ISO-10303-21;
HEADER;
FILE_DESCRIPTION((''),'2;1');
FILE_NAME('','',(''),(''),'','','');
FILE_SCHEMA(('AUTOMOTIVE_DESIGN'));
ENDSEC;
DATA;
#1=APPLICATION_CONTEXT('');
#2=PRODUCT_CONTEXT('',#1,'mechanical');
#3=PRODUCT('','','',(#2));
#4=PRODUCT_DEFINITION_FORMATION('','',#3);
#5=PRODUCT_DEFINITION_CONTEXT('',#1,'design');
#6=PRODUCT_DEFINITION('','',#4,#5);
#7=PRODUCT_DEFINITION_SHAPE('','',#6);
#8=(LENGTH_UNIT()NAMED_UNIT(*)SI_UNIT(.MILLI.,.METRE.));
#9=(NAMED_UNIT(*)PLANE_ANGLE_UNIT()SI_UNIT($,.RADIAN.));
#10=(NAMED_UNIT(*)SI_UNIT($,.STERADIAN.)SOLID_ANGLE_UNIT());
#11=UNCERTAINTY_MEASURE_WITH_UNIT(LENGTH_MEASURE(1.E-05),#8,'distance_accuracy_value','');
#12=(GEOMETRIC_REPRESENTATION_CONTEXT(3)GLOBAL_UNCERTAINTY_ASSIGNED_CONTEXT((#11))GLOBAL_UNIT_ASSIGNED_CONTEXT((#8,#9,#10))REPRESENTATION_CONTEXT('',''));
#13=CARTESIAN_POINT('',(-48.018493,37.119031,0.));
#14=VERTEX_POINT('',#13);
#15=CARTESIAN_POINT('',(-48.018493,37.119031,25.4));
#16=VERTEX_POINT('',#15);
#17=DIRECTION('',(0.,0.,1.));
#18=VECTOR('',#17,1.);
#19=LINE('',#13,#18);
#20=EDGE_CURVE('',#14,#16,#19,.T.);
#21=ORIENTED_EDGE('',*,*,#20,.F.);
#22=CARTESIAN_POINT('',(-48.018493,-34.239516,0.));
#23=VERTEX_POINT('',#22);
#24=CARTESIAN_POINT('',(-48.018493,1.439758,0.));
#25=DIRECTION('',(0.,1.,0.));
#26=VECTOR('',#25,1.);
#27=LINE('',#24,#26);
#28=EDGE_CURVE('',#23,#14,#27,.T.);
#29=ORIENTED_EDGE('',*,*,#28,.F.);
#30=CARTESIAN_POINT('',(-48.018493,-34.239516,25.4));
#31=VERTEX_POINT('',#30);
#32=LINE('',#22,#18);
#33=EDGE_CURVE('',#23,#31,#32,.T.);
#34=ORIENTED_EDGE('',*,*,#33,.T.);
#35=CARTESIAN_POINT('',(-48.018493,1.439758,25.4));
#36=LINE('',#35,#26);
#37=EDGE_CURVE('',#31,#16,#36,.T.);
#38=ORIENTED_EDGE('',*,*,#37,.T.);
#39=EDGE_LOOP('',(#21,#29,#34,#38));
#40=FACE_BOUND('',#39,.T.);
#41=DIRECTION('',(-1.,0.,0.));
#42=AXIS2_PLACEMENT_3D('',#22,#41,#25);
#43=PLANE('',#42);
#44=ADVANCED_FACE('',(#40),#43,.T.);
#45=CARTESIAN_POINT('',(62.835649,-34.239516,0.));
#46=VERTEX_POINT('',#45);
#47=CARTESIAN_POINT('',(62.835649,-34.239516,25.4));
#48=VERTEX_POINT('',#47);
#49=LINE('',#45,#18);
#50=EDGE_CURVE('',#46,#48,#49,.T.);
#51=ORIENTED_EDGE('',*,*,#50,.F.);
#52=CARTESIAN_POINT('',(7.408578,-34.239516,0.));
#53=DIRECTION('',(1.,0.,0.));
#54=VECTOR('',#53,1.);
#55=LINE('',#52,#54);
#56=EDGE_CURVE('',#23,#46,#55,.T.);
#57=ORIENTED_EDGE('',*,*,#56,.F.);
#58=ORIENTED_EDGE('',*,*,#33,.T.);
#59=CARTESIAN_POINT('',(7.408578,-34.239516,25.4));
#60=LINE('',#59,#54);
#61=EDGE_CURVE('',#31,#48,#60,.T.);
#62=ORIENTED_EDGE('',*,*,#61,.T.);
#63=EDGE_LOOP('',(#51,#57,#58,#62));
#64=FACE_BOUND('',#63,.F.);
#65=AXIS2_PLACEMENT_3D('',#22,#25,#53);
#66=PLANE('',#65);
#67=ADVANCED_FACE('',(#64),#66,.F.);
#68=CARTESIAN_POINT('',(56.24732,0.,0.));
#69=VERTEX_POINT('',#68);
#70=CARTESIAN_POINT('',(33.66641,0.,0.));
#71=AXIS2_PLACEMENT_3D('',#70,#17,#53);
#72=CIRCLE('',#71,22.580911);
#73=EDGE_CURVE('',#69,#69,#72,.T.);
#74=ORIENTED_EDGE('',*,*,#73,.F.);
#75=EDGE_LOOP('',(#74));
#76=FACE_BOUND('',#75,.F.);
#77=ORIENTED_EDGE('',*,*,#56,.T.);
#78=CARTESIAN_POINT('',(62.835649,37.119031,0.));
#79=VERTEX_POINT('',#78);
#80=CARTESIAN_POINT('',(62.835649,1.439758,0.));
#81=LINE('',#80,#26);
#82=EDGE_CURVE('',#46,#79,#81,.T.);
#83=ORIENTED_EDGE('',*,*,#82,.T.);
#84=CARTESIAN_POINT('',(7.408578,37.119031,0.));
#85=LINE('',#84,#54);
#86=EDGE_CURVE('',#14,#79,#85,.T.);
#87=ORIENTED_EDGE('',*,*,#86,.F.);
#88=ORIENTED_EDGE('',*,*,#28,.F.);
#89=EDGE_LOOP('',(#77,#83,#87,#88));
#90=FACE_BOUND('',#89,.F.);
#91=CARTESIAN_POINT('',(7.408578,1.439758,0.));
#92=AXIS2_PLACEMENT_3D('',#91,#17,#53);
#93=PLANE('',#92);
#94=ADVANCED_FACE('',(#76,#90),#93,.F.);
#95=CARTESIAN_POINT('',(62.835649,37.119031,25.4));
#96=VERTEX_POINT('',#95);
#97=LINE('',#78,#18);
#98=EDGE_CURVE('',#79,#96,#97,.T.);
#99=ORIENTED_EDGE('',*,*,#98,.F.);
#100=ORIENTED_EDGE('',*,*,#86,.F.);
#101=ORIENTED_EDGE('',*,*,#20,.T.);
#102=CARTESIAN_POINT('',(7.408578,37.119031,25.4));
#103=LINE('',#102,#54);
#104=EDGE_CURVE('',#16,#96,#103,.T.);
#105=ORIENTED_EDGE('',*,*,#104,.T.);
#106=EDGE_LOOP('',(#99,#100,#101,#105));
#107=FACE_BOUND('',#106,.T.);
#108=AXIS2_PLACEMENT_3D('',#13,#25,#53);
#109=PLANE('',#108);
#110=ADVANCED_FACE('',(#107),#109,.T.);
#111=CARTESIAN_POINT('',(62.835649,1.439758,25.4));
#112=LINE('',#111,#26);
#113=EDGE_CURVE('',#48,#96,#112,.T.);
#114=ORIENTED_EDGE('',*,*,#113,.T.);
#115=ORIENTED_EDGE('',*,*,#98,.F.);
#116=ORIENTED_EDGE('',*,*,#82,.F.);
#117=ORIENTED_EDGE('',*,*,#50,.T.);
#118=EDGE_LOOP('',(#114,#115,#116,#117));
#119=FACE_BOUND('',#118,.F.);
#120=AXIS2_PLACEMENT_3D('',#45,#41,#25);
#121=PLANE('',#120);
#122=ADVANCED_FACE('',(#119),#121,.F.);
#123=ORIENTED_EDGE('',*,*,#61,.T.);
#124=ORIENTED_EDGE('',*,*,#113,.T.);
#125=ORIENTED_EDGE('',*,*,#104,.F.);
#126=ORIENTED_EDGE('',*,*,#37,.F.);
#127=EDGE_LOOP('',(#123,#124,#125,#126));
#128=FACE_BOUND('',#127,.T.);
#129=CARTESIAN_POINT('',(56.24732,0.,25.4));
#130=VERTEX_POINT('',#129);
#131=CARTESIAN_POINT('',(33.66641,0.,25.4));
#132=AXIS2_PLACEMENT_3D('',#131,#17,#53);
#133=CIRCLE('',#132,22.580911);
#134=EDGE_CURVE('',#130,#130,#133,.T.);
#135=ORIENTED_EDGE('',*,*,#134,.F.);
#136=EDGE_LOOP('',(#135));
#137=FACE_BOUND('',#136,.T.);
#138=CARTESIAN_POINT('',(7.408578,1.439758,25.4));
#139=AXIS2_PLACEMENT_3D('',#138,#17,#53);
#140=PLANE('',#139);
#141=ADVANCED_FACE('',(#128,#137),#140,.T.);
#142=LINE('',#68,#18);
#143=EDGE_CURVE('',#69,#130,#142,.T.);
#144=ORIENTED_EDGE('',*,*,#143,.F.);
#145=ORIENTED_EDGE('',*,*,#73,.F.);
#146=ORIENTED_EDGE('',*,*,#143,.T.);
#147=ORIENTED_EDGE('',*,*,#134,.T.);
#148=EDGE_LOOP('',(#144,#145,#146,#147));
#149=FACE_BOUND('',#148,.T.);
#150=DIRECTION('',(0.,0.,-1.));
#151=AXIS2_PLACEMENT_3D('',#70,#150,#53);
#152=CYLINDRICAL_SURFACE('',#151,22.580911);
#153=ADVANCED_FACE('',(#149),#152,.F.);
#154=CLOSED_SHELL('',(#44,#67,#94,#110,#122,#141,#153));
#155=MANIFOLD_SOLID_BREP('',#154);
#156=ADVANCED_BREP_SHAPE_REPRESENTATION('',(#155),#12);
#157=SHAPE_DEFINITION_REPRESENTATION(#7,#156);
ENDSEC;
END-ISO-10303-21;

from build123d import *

# Parameters (mm, degrees)
F0_W     = 110.8541414142
F0_H     = 71.3585466146
F2_DEPTH = 25.4
F1_R     = 22.5809105665


with BuildPart() as f2:
    # F0 (on Top) → F2 (new body)
    with BuildSketch(Plane.XY):
        with Locations((7.4085779488, 1.4397576451)):
            Rectangle(F0_W, F0_H)
    extrude(amount=F2_DEPTH)


with BuildPart() as f2b:
    # F1 (on Top) → F2, piece 2 (new body)
    with BuildSketch(Plane.XY):
        with Locations((33.6664095521, 0)):
            Circle(F1_R)
    extrude(amount=F2_DEPTH)


with BuildPart() as f2_1:
    add(f2.part)

    # F3: cut F2b
    add(f2b.part, mode=Mode.SUBTRACT)


solid = f2_1.part
